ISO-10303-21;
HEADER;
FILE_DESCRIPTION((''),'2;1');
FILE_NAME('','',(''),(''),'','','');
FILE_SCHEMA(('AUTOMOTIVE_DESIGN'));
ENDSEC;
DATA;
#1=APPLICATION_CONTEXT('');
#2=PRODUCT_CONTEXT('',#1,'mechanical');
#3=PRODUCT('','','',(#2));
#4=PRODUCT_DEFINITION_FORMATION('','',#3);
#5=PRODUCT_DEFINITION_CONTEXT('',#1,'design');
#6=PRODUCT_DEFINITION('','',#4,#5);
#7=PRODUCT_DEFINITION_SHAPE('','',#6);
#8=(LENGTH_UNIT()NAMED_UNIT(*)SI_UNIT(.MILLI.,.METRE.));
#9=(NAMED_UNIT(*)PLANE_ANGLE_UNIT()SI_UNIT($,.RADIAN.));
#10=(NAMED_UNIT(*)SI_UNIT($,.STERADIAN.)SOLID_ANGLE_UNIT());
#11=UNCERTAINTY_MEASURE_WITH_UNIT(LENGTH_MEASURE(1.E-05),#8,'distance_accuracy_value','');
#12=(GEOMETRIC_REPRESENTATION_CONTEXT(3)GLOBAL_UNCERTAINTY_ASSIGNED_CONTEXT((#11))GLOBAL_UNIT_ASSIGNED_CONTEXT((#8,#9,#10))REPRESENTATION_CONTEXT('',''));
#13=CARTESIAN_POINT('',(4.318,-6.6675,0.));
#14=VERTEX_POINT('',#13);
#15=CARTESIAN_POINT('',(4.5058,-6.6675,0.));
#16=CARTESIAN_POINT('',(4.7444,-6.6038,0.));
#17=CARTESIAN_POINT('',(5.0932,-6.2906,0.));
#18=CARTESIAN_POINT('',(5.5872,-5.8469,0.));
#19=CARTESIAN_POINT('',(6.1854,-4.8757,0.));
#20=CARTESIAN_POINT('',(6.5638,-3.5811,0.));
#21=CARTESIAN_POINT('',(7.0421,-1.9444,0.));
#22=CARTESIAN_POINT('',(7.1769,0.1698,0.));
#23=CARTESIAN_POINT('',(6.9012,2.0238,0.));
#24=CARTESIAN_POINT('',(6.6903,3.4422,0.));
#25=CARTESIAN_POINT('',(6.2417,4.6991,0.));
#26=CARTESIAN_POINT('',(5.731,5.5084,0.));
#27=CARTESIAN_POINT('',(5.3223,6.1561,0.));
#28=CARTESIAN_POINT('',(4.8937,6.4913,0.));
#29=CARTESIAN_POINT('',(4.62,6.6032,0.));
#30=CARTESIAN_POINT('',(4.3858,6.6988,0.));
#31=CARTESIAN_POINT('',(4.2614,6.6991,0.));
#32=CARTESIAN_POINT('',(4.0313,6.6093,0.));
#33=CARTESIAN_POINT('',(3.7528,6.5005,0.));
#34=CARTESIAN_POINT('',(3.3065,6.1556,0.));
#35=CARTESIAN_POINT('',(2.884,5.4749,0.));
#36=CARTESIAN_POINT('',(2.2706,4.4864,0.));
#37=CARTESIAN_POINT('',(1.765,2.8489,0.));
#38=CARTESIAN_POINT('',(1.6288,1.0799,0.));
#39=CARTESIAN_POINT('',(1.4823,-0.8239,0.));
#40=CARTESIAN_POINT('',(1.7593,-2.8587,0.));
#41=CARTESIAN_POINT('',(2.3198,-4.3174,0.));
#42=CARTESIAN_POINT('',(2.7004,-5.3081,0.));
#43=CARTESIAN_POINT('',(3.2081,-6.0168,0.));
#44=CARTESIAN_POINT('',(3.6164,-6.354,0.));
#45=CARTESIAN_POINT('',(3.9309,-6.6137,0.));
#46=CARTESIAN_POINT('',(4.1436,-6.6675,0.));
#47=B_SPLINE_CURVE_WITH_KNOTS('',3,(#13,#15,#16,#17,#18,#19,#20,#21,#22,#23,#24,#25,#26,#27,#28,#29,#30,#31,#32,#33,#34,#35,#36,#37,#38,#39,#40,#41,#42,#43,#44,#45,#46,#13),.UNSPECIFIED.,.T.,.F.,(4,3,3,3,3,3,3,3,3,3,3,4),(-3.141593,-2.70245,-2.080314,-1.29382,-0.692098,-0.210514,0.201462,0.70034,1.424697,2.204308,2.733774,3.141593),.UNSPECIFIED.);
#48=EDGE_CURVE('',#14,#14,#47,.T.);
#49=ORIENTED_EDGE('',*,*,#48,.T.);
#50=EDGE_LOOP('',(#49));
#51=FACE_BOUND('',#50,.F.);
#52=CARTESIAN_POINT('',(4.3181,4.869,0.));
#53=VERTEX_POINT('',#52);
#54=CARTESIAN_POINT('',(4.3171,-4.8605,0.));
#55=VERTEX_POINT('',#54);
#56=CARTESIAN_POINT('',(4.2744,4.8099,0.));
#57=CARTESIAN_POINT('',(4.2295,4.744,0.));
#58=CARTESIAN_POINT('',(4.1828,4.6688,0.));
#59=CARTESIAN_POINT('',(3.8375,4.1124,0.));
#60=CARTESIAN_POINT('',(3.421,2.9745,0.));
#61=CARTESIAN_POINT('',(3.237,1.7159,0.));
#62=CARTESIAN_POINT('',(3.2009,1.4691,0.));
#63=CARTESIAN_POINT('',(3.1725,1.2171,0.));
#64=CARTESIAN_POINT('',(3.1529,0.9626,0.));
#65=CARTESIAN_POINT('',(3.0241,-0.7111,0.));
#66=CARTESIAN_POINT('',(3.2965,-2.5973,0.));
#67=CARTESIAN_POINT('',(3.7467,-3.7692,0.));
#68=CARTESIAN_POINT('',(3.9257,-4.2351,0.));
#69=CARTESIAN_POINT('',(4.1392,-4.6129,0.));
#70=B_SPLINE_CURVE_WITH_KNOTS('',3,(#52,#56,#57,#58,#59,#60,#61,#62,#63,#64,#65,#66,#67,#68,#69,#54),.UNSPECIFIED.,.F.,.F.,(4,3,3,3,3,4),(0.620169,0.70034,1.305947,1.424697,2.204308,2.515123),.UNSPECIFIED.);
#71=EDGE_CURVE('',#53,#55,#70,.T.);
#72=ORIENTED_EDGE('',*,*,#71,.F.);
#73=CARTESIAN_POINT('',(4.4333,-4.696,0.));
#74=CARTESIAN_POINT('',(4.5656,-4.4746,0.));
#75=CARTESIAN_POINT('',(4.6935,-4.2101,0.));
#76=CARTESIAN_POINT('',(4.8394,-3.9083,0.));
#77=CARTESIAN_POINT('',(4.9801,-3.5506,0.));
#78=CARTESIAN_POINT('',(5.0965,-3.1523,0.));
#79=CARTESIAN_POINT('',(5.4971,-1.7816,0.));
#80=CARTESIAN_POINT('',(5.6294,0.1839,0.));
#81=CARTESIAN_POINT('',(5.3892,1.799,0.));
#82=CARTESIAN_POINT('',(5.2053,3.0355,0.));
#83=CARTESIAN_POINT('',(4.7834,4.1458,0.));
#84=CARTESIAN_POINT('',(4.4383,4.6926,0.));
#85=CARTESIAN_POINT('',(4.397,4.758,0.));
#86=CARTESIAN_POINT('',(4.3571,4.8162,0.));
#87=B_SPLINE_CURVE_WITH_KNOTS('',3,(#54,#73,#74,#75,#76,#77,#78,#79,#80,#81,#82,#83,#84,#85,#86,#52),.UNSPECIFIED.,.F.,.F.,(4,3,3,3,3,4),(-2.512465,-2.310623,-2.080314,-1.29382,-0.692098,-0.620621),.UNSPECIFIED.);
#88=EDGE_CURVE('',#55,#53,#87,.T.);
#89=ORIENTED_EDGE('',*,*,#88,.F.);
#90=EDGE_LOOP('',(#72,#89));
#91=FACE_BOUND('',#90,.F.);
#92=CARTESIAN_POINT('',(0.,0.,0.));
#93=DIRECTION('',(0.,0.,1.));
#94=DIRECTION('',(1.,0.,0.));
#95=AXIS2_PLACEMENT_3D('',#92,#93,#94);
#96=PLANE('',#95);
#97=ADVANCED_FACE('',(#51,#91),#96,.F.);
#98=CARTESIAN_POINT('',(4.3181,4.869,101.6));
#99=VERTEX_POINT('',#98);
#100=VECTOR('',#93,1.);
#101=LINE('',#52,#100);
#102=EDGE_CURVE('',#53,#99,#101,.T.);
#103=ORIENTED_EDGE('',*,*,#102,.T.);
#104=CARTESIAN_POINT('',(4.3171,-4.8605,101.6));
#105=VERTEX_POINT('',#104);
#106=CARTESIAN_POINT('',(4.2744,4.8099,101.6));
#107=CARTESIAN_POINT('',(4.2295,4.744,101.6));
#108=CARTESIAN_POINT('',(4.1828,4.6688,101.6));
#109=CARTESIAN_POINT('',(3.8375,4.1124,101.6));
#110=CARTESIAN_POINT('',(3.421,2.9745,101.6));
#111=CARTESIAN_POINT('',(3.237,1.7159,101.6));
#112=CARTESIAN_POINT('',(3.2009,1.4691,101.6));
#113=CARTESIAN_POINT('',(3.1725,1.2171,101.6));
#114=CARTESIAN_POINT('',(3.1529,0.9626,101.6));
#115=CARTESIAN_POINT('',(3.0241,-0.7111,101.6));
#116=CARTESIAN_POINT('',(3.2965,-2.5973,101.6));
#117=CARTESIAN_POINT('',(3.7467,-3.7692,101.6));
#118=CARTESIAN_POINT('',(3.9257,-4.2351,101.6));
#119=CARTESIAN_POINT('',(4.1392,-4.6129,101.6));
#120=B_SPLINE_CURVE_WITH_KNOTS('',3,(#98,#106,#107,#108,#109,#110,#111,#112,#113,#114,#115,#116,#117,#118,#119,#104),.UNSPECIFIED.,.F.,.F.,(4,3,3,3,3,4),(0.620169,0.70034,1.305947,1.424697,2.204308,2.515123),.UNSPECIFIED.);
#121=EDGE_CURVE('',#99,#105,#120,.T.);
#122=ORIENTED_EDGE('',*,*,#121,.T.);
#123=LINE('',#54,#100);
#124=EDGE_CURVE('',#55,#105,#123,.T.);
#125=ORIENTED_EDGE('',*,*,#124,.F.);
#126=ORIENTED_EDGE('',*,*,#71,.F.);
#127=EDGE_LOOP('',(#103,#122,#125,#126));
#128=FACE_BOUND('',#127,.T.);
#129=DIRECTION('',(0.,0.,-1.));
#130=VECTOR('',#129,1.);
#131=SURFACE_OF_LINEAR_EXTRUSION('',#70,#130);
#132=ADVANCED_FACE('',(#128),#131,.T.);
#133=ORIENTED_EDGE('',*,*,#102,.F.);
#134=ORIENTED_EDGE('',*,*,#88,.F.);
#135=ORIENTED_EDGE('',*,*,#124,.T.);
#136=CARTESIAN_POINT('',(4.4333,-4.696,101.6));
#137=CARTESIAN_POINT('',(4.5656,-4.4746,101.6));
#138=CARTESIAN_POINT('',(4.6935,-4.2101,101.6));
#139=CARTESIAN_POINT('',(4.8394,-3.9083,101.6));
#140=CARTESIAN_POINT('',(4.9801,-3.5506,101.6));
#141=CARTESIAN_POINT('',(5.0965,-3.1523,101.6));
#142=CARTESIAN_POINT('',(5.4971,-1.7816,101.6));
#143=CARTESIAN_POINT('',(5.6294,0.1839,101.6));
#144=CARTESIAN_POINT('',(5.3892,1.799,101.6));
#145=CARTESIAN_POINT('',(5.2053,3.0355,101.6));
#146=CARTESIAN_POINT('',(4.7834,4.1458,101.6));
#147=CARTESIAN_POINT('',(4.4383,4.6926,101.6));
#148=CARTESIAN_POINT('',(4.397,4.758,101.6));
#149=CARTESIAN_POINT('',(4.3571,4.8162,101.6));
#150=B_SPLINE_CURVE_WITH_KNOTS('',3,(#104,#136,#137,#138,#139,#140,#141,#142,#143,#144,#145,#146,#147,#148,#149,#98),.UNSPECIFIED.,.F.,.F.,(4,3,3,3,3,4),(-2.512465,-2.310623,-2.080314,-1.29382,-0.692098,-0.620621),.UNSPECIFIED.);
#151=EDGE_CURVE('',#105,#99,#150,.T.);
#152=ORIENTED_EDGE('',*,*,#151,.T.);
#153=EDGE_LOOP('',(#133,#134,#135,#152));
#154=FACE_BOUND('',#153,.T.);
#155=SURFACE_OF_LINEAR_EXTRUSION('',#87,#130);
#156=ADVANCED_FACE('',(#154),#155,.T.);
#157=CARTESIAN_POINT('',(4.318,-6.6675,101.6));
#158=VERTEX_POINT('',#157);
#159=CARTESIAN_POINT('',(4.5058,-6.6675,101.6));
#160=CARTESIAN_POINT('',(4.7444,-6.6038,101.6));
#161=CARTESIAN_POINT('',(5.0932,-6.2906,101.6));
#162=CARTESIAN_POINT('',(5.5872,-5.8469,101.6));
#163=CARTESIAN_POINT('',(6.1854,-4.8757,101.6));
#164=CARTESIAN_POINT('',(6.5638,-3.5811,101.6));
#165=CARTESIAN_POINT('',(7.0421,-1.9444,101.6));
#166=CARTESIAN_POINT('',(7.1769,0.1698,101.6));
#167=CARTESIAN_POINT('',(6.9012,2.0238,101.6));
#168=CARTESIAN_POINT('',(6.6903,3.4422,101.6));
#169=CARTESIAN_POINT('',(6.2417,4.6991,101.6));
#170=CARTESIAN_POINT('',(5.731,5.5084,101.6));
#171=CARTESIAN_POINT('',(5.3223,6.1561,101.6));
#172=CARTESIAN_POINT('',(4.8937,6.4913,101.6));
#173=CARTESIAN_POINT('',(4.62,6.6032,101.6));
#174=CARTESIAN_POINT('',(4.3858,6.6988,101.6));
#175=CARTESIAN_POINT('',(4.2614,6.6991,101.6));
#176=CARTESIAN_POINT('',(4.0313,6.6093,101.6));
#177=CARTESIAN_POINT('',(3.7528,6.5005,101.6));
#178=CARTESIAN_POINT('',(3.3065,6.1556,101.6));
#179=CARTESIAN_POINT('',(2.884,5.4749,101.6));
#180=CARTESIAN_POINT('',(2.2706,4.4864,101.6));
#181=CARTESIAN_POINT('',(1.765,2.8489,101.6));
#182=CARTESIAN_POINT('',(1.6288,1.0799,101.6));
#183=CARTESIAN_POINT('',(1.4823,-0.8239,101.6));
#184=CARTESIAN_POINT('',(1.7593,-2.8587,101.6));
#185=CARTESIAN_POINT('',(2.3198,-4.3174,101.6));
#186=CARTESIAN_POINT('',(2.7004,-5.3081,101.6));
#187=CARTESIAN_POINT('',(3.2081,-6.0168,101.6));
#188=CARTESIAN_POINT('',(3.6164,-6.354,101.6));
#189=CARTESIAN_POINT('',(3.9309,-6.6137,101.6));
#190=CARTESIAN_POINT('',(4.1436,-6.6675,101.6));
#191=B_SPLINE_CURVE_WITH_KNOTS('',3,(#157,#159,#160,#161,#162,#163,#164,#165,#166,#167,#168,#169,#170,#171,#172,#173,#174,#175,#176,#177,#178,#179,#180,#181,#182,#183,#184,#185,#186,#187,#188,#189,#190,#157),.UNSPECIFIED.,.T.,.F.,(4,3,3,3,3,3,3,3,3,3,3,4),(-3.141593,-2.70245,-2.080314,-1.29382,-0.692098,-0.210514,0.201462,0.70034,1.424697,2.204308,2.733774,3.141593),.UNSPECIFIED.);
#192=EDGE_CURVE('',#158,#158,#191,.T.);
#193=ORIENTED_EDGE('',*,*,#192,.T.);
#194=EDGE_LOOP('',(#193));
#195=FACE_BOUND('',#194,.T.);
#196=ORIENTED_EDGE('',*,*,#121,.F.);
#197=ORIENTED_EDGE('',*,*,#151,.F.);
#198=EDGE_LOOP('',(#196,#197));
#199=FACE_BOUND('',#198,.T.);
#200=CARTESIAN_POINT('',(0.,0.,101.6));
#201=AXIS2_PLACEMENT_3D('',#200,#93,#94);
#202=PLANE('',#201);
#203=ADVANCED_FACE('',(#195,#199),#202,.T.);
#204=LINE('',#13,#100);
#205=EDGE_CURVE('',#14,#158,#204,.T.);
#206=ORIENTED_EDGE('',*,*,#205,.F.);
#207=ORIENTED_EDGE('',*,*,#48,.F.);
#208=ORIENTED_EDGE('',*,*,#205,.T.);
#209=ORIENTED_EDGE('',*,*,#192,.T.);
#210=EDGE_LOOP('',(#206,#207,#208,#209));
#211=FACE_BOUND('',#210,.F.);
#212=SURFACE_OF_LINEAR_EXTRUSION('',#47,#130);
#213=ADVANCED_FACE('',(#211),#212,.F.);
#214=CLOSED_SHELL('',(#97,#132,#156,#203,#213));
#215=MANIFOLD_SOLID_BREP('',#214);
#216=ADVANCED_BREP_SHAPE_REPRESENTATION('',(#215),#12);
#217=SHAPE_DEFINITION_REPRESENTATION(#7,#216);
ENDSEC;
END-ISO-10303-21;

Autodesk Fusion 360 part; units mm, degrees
sketch "Sketch2" plane through (0, 0, 0) normal (0, 0, 1) x (1, 0, 0)
  spline S0 degree 3 poles (4.318, -6.6675) (4.5058, -6.6675) (4.7444, -6.6038) (5.0932, -6.2906) (5.5872, -5.8469) (6.1854, -4.8757) (6.5638, -3.5811) (7.0421, -1.9444) (7.1769, 0.1698) (6.9012, 2.0238) (6.6903, 3.4422) (6.2417, 4.6991) (5.731, 5.5084) (5.3223, 6.1561) (4.8937, 6.4913) (4.62, 6.6032) (4.3858, 6.6988) (4.2614, 6.6991) (4.0313, 6.6093) (3.7528, 6.5005) (3.3065, 6.1556) (2.884, 5.4749) (2.2706, 4.4864) (1.765, 2.8489) (1.6288, 1.0799) (1.4823, -0.8239) (1.7593, -2.8587) (2.3198, -4.3174) (2.7004, -5.3081) (3.2081, -6.0168) (3.6164, -6.354) (3.9309, -6.6137) (4.1436, -6.6675) (4.318, -6.6675) knots -3.141593 -3.141593 -3.141593 -3.141593 -2.70245 -2.70245 -2.70245 -2.080314 -2.080314 -2.080314 -1.29382 -1.29382 -1.29382 -0.692098 -0.692098 -0.692098 -0.210514 -0.210514 -0.210514 0.201462 0.201462 0.201462 0.70034 0.70034 0.70034 1.424697 1.424697 1.424697 2.204308 2.204308 2.204308 2.733774 2.733774 2.733774 3.141593 3.141593 3.141593 3.141593
  spline S1 degree 3 poles (4.3171, -4.8605) (4.4333, -4.696) (4.5656, -4.4746) (4.6935, -4.2101) (4.8394, -3.9083) (4.9801, -3.5506) (5.0965, -3.1523) (5.4971, -1.7816) (5.6294, 0.1839) (5.3892, 1.799) (5.2053, 3.0355) (4.7834, 4.1458) (4.4383, 4.6926) (4.397, 4.758) (4.3571, 4.8162) (4.3181, 4.869) knots -2.512465 -2.512465 -2.512465 -2.512465 -2.310623 -2.310623 -2.310623 -2.080314 -2.080314 -2.080314 -1.29382 -1.29382 -1.29382 -0.692098 -0.692098 -0.692098 -0.620621 -0.620621 -0.620621 -0.620621
  spline S2 degree 3 poles (4.3181, 4.869) (4.2744, 4.8099) (4.2295, 4.744) (4.1828, 4.6688) (3.8375, 4.1124) (3.421, 2.9745) (3.237, 1.7159) (3.2009, 1.4691) (3.1725, 1.2171) (3.1529, 0.9626) (3.0241, -0.7111) (3.2965, -2.5973) (3.7467, -3.7692) (3.9257, -4.2351) (4.1392, -4.6129) (4.3171, -4.8605) knots 0.620169 0.620169 0.620169 0.620169 0.70034 0.70034 0.70034 1.305947 1.305947 1.305947 1.424697 1.424697 1.424697 2.204308 2.204308 2.204308 2.515123 2.515123 2.515123 2.515123
  dimension "d18" = -1.5286
extrude "Extrude2" add sketch "Sketch2" along normal blind 101.6
